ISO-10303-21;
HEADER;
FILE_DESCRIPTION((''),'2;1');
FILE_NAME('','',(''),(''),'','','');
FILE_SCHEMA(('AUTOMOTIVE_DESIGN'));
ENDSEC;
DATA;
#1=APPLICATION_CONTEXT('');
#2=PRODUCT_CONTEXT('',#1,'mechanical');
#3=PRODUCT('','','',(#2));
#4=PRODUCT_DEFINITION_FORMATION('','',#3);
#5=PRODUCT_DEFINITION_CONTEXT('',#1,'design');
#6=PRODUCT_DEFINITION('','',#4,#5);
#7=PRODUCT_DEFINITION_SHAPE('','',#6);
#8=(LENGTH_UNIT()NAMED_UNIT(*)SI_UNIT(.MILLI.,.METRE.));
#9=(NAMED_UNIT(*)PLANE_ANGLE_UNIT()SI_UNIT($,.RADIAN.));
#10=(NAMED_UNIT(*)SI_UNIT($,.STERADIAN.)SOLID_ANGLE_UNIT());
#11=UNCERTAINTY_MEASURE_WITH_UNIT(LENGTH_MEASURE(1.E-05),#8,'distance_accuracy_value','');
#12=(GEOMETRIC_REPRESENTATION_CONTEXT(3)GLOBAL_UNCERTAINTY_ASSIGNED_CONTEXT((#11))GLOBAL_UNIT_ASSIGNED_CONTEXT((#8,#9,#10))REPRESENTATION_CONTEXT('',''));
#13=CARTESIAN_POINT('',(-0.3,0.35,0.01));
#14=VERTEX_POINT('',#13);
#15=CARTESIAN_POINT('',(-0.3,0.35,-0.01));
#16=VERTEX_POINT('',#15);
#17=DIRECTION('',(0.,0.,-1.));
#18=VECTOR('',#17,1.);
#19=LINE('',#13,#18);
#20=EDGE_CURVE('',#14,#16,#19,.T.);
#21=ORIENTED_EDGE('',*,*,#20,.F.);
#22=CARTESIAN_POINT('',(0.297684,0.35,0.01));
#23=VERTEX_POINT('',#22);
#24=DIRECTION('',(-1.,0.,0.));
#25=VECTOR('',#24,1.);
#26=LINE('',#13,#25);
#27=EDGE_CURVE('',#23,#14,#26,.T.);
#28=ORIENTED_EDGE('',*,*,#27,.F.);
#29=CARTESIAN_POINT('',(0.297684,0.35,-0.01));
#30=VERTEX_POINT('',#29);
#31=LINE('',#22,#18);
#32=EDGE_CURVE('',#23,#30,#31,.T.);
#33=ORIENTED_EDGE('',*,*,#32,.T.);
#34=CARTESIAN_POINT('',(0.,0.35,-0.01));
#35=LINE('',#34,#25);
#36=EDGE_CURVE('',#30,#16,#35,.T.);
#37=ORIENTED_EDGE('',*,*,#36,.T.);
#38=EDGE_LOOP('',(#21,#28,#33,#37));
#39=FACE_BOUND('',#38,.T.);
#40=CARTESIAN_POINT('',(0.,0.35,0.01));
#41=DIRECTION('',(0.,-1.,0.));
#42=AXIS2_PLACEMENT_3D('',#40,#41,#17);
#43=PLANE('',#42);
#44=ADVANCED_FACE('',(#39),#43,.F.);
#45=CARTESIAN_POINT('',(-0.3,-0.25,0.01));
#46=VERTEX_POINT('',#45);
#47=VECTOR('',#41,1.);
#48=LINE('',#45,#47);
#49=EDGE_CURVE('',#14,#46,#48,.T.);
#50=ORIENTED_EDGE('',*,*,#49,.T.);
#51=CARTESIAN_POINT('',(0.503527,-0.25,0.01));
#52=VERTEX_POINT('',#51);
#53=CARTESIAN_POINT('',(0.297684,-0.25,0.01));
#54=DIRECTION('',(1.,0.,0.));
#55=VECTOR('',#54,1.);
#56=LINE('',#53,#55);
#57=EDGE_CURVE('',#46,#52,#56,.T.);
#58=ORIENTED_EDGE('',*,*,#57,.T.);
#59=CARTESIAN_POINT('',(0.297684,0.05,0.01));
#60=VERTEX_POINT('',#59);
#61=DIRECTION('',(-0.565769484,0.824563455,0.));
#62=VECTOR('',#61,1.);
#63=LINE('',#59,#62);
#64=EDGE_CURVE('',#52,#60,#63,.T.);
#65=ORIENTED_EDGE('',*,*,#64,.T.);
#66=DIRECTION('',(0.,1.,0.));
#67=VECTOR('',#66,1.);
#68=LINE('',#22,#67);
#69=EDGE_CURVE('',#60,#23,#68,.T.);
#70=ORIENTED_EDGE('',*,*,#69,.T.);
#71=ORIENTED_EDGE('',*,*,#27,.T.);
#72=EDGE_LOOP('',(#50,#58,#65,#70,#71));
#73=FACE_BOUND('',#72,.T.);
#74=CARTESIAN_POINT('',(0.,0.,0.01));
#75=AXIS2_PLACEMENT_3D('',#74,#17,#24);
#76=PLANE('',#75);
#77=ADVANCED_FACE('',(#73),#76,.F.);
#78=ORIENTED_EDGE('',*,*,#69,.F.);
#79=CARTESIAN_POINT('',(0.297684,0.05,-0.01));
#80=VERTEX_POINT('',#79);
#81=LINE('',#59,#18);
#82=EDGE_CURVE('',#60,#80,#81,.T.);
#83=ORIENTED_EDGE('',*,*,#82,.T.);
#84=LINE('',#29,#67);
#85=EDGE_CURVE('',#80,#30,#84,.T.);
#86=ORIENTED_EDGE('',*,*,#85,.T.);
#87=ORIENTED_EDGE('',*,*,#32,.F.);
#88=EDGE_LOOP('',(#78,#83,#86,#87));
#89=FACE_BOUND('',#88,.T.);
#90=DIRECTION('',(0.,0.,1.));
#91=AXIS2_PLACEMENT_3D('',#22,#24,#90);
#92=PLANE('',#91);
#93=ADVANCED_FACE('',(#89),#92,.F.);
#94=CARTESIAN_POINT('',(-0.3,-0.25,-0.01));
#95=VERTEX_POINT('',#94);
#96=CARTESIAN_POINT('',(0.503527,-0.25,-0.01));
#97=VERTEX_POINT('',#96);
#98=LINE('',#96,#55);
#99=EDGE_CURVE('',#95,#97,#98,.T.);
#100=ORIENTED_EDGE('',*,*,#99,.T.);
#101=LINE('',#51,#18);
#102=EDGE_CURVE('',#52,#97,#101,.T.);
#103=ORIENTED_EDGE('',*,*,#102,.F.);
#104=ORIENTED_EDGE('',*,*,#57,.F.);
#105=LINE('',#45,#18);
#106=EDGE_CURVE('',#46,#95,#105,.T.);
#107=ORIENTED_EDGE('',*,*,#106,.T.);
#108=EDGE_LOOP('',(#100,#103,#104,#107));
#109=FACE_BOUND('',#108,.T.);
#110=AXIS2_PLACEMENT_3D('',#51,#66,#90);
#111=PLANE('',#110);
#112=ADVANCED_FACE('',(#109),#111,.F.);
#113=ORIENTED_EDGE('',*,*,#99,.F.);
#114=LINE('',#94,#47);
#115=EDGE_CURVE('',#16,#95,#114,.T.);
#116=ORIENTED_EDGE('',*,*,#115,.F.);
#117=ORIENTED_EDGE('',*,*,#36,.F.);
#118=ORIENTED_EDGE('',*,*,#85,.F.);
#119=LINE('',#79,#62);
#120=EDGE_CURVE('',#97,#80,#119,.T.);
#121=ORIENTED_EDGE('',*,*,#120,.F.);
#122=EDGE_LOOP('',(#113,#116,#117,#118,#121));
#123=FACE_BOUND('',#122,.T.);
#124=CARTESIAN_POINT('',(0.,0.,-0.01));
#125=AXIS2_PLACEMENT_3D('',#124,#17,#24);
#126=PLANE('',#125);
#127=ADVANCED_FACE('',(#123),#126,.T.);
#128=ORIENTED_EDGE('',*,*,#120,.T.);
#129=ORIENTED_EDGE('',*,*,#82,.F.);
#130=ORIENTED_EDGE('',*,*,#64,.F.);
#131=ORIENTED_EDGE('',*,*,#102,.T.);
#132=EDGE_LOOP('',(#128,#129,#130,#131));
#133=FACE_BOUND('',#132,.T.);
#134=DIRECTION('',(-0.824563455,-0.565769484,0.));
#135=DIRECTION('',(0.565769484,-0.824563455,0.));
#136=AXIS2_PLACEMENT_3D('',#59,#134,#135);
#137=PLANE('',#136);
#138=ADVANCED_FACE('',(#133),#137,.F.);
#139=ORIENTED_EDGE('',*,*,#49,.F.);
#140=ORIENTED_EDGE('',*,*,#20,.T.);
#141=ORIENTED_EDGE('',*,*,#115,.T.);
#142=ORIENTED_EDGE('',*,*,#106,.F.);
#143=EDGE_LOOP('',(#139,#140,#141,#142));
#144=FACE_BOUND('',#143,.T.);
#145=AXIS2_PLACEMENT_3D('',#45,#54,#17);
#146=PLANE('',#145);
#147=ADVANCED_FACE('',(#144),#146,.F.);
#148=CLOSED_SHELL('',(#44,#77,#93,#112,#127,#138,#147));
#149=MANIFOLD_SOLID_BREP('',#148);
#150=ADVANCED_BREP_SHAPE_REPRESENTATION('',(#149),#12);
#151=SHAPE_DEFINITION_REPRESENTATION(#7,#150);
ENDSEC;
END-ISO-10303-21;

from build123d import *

# Parameters (mm, degrees)
BOSS_EXTRUDE1_DEPTH = 0.01


with BuildPart() as part:
    # Sketch2 → Boss-Extrude1 (new, symmetric)
    with BuildSketch(Plane.XY):
        Polygon((0, 0.35), (0.297683813, 0.35), (0.297683813, 0.05), (0.503527092, -0.25), (0.297683813, -0.25), (-0.3, -0.25), (-0.3, 0.35), align=None)
    extrude(amount=BOSS_EXTRUDE1_DEPTH, both=True)


solid = part.part
